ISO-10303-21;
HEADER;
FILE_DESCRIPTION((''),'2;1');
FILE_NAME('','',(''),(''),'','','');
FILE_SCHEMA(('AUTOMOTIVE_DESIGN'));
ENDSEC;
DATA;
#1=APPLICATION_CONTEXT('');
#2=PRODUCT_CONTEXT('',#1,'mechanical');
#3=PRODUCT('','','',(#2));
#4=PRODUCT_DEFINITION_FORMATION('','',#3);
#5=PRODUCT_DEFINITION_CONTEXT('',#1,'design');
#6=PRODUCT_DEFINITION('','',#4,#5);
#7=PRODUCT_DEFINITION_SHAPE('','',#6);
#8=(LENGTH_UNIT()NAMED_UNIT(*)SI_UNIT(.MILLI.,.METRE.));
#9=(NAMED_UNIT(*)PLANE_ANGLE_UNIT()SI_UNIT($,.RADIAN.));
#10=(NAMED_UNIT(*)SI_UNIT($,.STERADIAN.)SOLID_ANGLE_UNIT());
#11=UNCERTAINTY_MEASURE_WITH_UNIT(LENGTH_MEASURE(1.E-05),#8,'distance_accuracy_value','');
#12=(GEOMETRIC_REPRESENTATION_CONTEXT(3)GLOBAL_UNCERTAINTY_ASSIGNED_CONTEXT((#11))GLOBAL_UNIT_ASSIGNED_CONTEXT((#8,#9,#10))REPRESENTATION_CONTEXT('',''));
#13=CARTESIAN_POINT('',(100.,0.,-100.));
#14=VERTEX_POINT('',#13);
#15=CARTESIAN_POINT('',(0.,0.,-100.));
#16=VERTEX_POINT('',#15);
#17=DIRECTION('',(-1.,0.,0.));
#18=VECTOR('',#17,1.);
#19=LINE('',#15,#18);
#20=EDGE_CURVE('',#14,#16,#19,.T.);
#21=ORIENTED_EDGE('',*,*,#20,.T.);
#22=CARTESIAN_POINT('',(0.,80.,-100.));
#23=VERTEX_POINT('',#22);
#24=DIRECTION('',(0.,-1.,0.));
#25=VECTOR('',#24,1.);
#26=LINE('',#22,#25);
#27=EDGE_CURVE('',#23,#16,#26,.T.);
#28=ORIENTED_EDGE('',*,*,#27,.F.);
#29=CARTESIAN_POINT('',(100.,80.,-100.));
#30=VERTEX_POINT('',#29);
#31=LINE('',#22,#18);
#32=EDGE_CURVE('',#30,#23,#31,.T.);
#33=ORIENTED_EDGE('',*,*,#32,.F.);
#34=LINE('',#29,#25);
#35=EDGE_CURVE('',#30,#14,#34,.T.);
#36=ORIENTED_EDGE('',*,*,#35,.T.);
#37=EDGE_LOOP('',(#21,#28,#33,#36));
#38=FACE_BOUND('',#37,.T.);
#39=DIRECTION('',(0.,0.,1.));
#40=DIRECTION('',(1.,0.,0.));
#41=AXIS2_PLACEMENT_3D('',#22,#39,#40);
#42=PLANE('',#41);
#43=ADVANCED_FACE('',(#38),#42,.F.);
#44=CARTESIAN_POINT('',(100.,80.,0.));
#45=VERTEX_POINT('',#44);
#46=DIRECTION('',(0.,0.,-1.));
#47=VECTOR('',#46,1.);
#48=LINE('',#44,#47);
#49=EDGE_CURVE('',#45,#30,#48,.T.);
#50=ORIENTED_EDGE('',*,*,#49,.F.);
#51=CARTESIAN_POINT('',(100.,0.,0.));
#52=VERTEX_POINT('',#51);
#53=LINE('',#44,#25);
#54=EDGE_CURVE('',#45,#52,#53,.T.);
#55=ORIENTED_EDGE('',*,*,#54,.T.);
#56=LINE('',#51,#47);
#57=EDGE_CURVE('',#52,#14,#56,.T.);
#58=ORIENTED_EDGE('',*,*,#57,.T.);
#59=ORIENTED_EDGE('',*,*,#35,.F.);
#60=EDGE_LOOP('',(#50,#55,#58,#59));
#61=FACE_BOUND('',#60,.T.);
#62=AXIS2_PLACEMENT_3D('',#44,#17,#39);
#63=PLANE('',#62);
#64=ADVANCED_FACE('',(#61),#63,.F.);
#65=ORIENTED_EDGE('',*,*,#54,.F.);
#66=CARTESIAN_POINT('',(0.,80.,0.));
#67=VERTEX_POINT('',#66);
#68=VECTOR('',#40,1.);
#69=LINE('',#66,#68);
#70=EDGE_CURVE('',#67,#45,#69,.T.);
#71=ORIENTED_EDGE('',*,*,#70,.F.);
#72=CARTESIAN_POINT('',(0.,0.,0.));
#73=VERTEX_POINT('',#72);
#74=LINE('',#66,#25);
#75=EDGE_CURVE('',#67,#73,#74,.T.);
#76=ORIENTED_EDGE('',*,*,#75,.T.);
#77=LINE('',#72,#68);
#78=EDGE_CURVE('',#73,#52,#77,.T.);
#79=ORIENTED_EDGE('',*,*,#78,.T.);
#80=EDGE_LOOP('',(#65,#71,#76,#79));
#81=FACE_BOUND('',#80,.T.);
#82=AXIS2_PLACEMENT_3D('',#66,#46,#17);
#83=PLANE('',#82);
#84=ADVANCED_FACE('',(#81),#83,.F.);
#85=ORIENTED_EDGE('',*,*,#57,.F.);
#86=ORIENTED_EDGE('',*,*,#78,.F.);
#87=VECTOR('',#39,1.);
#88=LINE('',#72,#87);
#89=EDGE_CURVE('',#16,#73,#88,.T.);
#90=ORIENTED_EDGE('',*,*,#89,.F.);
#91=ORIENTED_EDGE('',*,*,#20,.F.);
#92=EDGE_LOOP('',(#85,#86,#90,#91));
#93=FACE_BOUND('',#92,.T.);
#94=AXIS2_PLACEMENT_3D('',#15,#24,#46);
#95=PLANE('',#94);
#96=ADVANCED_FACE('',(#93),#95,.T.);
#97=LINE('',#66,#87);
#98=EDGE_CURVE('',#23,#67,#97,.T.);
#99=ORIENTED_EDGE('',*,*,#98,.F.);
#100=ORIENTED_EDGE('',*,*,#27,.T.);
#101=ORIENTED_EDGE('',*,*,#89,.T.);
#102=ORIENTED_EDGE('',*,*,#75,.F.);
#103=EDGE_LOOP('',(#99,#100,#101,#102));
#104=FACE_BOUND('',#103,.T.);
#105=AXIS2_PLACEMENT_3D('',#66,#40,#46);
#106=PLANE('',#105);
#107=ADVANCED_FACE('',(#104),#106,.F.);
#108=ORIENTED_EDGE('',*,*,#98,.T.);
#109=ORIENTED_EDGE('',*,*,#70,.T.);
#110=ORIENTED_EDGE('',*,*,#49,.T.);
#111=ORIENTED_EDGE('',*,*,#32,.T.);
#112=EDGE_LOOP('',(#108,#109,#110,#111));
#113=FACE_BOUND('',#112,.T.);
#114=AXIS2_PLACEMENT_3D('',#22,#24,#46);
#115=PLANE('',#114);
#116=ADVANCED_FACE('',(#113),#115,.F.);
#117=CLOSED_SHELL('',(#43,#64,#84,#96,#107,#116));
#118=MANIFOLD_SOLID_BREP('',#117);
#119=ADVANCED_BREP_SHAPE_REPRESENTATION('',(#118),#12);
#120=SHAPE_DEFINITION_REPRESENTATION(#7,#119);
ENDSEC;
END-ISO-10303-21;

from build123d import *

# Parameters (mm, degrees)
SKETCH1_W      = 100
SKETCH1_H      = 100
EXTRUDE1_DEPTH = 80


with BuildPart() as part:
    # Sketch1 → Extrude1 (new body)
    with BuildSketch(Plane(origin=(0, 0, 0), x_dir=(1, 0, 0), z_dir=(0, 1, 0))):
        with Locations((50, 50)):
            Rectangle(SKETCH1_W, SKETCH1_H)
    extrude(amount=EXTRUDE1_DEPTH)


solid = part.part
